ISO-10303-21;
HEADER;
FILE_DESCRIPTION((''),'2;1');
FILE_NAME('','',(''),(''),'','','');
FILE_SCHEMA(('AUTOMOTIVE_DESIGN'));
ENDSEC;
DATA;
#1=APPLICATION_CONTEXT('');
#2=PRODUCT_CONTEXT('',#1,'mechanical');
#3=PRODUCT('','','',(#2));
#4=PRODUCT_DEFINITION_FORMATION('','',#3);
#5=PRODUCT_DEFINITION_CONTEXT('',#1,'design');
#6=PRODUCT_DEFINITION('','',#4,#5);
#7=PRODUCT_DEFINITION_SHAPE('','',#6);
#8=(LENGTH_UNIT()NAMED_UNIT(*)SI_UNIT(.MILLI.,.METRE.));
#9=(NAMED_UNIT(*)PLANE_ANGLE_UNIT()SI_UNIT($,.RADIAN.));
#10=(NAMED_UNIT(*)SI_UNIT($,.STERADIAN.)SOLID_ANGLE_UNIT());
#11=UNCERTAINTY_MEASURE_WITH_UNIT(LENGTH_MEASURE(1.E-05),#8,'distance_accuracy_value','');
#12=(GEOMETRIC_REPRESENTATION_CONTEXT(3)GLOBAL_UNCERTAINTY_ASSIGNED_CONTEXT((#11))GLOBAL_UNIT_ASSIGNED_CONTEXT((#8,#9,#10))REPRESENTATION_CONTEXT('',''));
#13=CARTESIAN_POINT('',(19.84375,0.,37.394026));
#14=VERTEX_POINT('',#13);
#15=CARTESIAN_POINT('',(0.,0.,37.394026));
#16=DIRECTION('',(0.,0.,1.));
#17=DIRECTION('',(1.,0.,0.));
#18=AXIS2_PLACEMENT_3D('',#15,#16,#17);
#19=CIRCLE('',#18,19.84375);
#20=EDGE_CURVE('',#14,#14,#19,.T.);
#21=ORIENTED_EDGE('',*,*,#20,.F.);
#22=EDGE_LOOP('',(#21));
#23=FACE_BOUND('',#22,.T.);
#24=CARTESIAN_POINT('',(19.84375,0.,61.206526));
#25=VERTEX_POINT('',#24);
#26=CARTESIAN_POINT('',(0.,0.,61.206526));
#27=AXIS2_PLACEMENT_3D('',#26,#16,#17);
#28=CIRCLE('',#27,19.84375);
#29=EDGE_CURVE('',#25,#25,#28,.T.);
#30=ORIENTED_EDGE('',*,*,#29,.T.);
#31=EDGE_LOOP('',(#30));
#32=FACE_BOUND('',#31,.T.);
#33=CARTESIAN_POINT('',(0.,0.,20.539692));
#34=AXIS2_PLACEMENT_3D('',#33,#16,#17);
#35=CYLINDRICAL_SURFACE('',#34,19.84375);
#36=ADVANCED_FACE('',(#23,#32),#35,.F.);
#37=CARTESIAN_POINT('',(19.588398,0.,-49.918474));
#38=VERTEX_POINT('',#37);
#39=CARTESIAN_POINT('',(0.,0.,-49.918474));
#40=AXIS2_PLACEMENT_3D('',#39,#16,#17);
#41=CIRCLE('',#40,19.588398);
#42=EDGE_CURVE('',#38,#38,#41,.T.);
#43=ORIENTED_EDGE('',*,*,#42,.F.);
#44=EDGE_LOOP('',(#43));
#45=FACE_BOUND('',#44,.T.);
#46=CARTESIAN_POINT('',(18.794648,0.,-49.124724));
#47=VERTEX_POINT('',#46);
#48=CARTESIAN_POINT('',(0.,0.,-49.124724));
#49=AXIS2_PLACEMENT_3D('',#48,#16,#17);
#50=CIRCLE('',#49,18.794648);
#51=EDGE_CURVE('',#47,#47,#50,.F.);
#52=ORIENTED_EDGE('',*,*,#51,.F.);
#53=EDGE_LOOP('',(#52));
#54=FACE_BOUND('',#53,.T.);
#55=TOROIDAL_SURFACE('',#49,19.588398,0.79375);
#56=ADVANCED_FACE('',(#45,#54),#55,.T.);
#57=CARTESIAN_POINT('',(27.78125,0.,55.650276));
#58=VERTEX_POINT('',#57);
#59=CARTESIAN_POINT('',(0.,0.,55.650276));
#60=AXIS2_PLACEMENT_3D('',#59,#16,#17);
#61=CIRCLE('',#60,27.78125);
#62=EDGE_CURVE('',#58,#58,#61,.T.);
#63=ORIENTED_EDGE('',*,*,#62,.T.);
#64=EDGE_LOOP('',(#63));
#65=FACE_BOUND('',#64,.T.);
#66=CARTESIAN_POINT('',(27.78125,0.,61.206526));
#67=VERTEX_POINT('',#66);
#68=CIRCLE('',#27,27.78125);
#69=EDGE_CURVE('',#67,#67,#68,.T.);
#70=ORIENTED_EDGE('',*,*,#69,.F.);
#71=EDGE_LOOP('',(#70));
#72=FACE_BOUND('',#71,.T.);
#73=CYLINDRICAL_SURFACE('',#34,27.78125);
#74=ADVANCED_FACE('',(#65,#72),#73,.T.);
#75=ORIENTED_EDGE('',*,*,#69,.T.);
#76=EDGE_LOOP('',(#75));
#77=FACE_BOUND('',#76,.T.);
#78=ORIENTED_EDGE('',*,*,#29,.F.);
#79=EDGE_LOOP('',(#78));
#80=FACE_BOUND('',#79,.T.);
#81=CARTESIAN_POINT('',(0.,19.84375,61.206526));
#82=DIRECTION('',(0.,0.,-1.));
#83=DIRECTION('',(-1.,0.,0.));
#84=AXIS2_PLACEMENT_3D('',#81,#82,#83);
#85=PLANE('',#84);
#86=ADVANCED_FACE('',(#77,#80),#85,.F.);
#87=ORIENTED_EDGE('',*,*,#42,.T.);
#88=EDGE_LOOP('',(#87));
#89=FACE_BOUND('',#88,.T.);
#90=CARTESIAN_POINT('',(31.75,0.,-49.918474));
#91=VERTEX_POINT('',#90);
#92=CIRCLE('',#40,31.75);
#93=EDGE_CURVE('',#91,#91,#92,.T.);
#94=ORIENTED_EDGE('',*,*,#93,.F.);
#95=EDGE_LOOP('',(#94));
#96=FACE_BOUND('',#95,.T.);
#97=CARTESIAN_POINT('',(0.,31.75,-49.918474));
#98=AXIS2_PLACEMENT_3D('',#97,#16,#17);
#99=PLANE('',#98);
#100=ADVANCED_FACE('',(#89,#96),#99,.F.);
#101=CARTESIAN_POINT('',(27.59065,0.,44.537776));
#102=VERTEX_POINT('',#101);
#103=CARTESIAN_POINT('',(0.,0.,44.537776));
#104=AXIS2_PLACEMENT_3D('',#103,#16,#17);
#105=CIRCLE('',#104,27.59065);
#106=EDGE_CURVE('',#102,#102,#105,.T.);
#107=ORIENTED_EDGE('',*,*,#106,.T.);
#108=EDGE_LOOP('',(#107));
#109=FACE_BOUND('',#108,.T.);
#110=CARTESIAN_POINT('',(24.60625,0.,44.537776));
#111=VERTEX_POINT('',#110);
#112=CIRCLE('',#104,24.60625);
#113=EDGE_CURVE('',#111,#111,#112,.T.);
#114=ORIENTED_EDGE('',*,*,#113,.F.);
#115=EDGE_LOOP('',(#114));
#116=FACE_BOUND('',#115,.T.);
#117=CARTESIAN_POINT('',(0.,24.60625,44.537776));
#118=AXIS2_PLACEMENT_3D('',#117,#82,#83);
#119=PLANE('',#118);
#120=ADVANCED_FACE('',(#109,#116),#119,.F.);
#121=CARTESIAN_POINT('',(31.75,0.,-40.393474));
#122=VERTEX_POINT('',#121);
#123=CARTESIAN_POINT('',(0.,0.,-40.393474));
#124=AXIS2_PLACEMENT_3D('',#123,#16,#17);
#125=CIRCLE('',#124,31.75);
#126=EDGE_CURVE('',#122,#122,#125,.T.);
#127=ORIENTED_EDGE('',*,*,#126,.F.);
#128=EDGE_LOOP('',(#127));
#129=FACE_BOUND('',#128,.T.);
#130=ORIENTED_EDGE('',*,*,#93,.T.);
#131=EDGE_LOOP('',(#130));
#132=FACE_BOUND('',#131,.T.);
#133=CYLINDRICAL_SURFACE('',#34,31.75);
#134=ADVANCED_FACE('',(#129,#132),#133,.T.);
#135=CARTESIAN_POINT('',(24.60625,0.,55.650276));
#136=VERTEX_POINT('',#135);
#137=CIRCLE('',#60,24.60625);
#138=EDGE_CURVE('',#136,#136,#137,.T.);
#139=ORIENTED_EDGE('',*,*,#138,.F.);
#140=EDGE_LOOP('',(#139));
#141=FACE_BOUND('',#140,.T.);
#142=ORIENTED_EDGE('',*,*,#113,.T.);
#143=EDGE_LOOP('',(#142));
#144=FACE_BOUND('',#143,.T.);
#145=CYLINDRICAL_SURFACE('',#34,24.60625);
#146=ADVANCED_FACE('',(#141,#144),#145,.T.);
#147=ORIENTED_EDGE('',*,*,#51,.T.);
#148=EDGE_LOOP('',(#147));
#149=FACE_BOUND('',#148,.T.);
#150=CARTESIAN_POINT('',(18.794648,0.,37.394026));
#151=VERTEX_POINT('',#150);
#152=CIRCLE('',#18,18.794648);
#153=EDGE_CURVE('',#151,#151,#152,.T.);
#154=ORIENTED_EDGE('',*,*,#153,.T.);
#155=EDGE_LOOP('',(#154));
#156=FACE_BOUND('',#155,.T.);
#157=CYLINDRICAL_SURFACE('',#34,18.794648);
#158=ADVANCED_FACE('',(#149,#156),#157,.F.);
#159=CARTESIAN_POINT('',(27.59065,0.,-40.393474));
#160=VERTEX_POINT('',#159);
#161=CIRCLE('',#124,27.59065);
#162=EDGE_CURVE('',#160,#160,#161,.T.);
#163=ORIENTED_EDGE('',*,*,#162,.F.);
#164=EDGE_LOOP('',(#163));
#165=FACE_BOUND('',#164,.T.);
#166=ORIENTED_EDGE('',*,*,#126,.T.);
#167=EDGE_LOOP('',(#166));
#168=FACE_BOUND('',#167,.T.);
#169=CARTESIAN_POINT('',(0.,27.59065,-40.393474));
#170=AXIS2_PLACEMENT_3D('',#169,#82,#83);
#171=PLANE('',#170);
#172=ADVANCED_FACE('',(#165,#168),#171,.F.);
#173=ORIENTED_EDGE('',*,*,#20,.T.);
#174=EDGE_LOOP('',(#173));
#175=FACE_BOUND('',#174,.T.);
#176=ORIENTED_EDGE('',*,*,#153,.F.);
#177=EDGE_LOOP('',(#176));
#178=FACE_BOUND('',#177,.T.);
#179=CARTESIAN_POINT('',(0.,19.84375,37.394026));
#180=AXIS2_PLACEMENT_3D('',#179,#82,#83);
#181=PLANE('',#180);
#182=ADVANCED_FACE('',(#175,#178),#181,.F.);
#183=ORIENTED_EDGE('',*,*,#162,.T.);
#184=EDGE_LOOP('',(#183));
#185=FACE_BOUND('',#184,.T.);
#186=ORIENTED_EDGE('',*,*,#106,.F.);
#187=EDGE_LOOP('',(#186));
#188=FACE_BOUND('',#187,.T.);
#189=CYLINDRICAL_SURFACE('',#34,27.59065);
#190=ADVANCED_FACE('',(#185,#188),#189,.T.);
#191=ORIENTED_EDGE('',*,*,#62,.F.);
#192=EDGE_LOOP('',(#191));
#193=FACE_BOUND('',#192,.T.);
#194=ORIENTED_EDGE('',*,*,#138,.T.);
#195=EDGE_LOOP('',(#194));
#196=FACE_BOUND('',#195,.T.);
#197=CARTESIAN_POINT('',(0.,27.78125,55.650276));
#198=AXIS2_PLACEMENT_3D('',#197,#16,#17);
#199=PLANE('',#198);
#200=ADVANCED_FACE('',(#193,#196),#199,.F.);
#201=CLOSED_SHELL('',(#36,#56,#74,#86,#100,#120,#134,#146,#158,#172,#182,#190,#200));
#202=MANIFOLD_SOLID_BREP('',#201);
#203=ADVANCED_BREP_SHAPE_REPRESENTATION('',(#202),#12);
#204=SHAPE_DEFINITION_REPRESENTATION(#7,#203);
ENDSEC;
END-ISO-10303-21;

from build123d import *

# Parameters (mm, degrees)
FILLET1_R = 0.79375


with BuildPart() as part:
    # Sketch1 → Revolve1 (revolve)
    with BuildSketch(Plane(origin=(0, 0, 0), x_dir=(0, 0, -1), z_dir=(1, 0, 0)), mode=Mode.PRIVATE) as revolve1_sk:
        Polygon((-61.206526461, 19.84375), (-37.394026461, 19.84375), (-37.394026461, 18.794647739), (49.918473539, 18.794647739), (49.918473539, 31.75), (40.393473539, 31.75), (40.393473539, 27.590649684), (-44.537776461, 27.590649684), (-44.537776461, 24.60625), (-55.650276461, 24.60625), (-55.650276461, 27.78125), (-61.206526461, 27.78125), align=None)
    revolve(revolve1_sk.sketch.rotate(Axis((0, 0, 20.539691943), (0, 0, -1)), 90), axis=Axis((0, 0, 20.539691943), (0, 0, -1)))

    # Fillet1
    fillet1_edges = [part.edges().sort_by_distance(p)[0] for p in [
        (-18.794647739, 0, -49.918473539),
    ]]
    fillet(fillet1_edges, radius=FILLET1_R)


solid = part.part
